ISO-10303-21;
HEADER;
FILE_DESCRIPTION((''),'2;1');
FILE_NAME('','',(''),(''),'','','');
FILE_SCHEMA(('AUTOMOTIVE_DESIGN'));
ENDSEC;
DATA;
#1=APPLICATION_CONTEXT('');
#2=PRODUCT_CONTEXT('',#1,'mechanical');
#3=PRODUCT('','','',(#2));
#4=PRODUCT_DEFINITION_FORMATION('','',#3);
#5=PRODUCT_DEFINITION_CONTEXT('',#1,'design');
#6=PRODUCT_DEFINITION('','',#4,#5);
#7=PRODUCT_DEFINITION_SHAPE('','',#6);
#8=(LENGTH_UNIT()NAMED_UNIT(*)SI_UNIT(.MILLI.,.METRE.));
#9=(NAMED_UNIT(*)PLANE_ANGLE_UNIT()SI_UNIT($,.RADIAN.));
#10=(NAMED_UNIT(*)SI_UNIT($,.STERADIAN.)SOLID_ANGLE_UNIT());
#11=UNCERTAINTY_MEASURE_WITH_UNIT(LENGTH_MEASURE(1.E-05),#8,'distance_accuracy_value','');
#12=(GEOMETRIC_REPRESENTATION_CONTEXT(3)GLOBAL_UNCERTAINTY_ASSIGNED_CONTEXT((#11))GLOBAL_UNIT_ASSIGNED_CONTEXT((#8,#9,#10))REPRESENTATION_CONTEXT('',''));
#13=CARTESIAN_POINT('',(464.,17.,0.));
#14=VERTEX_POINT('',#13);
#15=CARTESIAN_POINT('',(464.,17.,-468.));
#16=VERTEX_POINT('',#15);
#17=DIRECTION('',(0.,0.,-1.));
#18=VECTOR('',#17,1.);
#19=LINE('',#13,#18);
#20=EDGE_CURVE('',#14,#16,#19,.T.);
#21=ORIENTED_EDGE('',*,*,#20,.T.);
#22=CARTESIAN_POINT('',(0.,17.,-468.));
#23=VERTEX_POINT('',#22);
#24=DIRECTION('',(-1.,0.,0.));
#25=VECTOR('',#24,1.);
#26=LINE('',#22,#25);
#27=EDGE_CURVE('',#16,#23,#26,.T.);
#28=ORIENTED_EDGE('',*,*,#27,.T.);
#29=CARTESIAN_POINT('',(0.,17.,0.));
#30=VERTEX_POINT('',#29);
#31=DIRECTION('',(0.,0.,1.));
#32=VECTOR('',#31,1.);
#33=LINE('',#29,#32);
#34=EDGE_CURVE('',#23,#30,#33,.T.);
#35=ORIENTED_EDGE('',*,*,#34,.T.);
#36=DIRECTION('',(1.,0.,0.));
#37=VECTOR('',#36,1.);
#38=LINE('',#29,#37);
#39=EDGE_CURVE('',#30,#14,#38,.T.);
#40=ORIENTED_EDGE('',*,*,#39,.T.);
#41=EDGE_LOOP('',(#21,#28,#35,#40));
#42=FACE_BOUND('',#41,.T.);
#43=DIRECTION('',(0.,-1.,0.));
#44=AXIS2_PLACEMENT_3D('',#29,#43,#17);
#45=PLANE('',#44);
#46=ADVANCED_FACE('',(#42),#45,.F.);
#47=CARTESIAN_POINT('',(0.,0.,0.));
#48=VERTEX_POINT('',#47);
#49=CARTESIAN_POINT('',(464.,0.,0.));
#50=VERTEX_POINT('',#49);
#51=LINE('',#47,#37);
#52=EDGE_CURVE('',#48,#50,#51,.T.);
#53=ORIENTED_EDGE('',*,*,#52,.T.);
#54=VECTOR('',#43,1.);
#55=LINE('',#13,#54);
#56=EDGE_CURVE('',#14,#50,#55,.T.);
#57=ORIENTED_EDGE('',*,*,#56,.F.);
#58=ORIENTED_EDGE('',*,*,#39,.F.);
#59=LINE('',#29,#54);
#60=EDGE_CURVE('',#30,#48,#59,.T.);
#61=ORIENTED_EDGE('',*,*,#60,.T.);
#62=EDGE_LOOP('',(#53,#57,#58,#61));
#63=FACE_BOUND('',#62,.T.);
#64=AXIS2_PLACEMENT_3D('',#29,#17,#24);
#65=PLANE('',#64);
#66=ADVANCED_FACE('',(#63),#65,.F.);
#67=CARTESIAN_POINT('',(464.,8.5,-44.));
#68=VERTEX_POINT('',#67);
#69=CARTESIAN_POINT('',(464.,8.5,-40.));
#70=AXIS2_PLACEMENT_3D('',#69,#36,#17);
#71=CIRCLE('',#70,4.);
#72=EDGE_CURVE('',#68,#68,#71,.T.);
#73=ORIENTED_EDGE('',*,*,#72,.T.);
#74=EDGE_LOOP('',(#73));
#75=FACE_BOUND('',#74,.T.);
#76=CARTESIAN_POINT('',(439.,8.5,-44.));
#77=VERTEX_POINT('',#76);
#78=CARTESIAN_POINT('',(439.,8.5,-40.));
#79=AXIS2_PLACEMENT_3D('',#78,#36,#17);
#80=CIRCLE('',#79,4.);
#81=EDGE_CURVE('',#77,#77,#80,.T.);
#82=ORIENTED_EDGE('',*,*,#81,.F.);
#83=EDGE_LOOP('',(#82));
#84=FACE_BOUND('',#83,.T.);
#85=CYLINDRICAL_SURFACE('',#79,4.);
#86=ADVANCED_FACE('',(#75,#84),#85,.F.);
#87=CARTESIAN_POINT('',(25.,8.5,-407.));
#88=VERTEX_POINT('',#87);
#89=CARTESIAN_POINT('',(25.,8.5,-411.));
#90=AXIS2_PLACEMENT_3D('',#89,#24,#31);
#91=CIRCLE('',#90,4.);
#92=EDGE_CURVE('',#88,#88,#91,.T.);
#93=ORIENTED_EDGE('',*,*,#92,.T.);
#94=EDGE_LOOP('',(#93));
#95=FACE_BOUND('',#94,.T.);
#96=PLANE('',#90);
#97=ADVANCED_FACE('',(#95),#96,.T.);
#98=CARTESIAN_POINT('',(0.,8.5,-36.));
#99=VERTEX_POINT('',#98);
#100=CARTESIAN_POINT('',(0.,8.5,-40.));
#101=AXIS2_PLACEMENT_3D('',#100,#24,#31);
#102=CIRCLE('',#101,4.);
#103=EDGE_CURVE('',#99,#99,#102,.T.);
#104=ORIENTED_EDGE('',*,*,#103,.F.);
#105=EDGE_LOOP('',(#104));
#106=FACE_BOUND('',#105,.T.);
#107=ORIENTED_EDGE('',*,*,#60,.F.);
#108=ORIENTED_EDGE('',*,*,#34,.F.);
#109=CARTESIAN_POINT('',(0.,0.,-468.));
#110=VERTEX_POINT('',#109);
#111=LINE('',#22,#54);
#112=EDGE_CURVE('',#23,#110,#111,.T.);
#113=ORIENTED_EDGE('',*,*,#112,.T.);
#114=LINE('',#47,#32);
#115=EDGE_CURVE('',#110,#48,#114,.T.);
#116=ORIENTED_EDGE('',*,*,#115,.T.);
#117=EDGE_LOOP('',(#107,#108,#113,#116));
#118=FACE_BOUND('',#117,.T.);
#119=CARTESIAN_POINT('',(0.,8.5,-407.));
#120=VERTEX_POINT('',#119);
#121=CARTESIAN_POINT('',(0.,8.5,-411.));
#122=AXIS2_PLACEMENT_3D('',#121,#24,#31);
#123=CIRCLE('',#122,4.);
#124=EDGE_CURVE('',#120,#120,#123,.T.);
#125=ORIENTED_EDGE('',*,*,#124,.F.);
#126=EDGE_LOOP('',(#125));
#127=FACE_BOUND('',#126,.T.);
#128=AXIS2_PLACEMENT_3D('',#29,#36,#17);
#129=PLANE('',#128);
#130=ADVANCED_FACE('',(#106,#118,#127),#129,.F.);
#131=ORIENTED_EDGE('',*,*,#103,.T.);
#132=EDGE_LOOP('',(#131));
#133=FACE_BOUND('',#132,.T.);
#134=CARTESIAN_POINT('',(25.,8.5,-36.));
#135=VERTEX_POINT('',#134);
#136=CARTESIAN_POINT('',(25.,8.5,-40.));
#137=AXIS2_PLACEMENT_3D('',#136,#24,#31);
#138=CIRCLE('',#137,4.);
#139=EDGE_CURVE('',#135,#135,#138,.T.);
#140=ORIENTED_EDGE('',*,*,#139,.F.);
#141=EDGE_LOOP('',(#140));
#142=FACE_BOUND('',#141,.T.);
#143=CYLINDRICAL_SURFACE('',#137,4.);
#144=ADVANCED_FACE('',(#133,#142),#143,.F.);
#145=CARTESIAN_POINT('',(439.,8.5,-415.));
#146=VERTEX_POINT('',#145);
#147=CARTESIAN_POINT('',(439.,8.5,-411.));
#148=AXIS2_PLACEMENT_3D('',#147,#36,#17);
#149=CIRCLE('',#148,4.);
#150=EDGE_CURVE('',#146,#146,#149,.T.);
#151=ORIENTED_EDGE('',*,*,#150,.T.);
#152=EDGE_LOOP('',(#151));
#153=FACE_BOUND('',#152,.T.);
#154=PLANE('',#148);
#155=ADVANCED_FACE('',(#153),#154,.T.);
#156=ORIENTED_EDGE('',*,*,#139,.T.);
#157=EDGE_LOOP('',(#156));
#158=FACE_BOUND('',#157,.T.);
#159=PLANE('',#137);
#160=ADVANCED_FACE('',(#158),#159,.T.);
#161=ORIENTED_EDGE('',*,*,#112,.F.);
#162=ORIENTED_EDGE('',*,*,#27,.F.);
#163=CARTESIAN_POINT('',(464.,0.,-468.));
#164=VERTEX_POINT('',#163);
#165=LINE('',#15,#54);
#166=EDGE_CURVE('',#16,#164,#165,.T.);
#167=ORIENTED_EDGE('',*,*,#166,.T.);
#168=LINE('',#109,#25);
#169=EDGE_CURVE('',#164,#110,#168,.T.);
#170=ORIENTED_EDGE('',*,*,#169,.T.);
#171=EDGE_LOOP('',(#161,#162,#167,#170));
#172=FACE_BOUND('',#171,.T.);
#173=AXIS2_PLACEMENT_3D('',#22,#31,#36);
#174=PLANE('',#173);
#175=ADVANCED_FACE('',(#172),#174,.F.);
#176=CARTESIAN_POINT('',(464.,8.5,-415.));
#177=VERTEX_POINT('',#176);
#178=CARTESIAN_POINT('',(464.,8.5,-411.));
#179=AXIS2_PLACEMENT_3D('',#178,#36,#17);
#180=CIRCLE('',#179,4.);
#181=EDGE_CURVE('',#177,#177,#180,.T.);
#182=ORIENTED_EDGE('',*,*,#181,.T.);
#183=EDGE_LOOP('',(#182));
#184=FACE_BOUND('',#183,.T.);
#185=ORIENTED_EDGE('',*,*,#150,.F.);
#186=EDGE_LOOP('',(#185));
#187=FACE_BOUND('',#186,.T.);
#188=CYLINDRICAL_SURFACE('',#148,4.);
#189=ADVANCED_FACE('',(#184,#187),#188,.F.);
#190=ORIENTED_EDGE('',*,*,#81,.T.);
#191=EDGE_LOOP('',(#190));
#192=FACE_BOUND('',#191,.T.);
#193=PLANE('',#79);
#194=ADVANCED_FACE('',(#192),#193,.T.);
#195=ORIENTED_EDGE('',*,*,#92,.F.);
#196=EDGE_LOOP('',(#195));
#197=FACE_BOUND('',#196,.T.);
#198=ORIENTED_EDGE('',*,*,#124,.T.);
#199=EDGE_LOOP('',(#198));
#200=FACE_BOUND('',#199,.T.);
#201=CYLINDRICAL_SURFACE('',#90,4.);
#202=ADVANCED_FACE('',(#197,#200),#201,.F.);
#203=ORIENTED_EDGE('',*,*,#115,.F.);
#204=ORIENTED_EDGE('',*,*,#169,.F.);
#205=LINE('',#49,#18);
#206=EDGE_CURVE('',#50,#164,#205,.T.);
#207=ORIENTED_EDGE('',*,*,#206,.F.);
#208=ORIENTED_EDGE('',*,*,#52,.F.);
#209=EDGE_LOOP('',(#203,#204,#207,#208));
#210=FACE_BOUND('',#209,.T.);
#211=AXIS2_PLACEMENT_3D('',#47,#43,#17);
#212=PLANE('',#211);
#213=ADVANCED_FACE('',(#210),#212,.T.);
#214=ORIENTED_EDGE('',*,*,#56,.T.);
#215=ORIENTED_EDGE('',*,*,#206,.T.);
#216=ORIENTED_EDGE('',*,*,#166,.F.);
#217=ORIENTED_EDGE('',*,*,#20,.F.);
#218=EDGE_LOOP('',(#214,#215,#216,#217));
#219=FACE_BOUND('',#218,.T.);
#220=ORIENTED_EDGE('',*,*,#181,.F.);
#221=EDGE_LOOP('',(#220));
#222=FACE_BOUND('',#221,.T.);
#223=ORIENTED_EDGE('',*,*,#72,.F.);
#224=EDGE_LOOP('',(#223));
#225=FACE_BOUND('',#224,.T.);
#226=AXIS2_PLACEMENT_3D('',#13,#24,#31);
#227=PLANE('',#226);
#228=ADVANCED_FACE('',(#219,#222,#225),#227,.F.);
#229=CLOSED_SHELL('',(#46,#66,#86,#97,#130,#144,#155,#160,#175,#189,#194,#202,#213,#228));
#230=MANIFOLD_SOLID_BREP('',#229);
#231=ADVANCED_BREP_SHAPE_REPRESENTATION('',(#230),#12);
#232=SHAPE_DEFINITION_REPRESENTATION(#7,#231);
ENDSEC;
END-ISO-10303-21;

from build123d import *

# Parameters (mm, degrees)
SKETCH1_W           = 464
SKETCH1_H           = 468
BOSS_EXTRUDE1_DEPTH = 17
SKETCH3_R           = 4
CUT_EXTRUDE1_DEPTH  = 25
CUT_EXTRUDE2_START  = -25
SKETCH4_R           = 4
CUT_EXTRUDE2_DEPTH  = 25


with BuildPart() as part:
    # Sketch1 → Boss-Extrude1 (new body)
    with BuildSketch(Plane(origin=(0, 0, 0), x_dir=(1, 0, 0), z_dir=(0, 1, 0))):
        with Locations((232, 234)):
            Rectangle(SKETCH1_W, SKETCH1_H)
    extrude(amount=BOSS_EXTRUDE1_DEPTH)

    # Sketch3 → Cut-Extrude1 (cut)
    with BuildSketch(Plane(origin=(464, 0, 0), x_dir=(0, 0, -1), z_dir=(1, 0, 0))):
        with Locations((40, 8.5)):
            Circle(SKETCH3_R)
        with Locations((411, 8.5)):
            Circle(SKETCH3_R)
    extrude(amount=-CUT_EXTRUDE1_DEPTH, mode=Mode.SUBTRACT)

    # Sketch4 → Cut-Extrude2 (cut)
    with BuildSketch(Plane.ZY.offset(CUT_EXTRUDE2_START)):
        with Locations(Location((-411, 8.5, 0), (0, 0, 180))):
            Circle(SKETCH4_R)
        with Locations(Location((-40, 8.5, 0), (0, 0, 180))):
            Circle(SKETCH4_R)
    extrude(amount=CUT_EXTRUDE2_DEPTH, mode=Mode.SUBTRACT)


solid = part.part
